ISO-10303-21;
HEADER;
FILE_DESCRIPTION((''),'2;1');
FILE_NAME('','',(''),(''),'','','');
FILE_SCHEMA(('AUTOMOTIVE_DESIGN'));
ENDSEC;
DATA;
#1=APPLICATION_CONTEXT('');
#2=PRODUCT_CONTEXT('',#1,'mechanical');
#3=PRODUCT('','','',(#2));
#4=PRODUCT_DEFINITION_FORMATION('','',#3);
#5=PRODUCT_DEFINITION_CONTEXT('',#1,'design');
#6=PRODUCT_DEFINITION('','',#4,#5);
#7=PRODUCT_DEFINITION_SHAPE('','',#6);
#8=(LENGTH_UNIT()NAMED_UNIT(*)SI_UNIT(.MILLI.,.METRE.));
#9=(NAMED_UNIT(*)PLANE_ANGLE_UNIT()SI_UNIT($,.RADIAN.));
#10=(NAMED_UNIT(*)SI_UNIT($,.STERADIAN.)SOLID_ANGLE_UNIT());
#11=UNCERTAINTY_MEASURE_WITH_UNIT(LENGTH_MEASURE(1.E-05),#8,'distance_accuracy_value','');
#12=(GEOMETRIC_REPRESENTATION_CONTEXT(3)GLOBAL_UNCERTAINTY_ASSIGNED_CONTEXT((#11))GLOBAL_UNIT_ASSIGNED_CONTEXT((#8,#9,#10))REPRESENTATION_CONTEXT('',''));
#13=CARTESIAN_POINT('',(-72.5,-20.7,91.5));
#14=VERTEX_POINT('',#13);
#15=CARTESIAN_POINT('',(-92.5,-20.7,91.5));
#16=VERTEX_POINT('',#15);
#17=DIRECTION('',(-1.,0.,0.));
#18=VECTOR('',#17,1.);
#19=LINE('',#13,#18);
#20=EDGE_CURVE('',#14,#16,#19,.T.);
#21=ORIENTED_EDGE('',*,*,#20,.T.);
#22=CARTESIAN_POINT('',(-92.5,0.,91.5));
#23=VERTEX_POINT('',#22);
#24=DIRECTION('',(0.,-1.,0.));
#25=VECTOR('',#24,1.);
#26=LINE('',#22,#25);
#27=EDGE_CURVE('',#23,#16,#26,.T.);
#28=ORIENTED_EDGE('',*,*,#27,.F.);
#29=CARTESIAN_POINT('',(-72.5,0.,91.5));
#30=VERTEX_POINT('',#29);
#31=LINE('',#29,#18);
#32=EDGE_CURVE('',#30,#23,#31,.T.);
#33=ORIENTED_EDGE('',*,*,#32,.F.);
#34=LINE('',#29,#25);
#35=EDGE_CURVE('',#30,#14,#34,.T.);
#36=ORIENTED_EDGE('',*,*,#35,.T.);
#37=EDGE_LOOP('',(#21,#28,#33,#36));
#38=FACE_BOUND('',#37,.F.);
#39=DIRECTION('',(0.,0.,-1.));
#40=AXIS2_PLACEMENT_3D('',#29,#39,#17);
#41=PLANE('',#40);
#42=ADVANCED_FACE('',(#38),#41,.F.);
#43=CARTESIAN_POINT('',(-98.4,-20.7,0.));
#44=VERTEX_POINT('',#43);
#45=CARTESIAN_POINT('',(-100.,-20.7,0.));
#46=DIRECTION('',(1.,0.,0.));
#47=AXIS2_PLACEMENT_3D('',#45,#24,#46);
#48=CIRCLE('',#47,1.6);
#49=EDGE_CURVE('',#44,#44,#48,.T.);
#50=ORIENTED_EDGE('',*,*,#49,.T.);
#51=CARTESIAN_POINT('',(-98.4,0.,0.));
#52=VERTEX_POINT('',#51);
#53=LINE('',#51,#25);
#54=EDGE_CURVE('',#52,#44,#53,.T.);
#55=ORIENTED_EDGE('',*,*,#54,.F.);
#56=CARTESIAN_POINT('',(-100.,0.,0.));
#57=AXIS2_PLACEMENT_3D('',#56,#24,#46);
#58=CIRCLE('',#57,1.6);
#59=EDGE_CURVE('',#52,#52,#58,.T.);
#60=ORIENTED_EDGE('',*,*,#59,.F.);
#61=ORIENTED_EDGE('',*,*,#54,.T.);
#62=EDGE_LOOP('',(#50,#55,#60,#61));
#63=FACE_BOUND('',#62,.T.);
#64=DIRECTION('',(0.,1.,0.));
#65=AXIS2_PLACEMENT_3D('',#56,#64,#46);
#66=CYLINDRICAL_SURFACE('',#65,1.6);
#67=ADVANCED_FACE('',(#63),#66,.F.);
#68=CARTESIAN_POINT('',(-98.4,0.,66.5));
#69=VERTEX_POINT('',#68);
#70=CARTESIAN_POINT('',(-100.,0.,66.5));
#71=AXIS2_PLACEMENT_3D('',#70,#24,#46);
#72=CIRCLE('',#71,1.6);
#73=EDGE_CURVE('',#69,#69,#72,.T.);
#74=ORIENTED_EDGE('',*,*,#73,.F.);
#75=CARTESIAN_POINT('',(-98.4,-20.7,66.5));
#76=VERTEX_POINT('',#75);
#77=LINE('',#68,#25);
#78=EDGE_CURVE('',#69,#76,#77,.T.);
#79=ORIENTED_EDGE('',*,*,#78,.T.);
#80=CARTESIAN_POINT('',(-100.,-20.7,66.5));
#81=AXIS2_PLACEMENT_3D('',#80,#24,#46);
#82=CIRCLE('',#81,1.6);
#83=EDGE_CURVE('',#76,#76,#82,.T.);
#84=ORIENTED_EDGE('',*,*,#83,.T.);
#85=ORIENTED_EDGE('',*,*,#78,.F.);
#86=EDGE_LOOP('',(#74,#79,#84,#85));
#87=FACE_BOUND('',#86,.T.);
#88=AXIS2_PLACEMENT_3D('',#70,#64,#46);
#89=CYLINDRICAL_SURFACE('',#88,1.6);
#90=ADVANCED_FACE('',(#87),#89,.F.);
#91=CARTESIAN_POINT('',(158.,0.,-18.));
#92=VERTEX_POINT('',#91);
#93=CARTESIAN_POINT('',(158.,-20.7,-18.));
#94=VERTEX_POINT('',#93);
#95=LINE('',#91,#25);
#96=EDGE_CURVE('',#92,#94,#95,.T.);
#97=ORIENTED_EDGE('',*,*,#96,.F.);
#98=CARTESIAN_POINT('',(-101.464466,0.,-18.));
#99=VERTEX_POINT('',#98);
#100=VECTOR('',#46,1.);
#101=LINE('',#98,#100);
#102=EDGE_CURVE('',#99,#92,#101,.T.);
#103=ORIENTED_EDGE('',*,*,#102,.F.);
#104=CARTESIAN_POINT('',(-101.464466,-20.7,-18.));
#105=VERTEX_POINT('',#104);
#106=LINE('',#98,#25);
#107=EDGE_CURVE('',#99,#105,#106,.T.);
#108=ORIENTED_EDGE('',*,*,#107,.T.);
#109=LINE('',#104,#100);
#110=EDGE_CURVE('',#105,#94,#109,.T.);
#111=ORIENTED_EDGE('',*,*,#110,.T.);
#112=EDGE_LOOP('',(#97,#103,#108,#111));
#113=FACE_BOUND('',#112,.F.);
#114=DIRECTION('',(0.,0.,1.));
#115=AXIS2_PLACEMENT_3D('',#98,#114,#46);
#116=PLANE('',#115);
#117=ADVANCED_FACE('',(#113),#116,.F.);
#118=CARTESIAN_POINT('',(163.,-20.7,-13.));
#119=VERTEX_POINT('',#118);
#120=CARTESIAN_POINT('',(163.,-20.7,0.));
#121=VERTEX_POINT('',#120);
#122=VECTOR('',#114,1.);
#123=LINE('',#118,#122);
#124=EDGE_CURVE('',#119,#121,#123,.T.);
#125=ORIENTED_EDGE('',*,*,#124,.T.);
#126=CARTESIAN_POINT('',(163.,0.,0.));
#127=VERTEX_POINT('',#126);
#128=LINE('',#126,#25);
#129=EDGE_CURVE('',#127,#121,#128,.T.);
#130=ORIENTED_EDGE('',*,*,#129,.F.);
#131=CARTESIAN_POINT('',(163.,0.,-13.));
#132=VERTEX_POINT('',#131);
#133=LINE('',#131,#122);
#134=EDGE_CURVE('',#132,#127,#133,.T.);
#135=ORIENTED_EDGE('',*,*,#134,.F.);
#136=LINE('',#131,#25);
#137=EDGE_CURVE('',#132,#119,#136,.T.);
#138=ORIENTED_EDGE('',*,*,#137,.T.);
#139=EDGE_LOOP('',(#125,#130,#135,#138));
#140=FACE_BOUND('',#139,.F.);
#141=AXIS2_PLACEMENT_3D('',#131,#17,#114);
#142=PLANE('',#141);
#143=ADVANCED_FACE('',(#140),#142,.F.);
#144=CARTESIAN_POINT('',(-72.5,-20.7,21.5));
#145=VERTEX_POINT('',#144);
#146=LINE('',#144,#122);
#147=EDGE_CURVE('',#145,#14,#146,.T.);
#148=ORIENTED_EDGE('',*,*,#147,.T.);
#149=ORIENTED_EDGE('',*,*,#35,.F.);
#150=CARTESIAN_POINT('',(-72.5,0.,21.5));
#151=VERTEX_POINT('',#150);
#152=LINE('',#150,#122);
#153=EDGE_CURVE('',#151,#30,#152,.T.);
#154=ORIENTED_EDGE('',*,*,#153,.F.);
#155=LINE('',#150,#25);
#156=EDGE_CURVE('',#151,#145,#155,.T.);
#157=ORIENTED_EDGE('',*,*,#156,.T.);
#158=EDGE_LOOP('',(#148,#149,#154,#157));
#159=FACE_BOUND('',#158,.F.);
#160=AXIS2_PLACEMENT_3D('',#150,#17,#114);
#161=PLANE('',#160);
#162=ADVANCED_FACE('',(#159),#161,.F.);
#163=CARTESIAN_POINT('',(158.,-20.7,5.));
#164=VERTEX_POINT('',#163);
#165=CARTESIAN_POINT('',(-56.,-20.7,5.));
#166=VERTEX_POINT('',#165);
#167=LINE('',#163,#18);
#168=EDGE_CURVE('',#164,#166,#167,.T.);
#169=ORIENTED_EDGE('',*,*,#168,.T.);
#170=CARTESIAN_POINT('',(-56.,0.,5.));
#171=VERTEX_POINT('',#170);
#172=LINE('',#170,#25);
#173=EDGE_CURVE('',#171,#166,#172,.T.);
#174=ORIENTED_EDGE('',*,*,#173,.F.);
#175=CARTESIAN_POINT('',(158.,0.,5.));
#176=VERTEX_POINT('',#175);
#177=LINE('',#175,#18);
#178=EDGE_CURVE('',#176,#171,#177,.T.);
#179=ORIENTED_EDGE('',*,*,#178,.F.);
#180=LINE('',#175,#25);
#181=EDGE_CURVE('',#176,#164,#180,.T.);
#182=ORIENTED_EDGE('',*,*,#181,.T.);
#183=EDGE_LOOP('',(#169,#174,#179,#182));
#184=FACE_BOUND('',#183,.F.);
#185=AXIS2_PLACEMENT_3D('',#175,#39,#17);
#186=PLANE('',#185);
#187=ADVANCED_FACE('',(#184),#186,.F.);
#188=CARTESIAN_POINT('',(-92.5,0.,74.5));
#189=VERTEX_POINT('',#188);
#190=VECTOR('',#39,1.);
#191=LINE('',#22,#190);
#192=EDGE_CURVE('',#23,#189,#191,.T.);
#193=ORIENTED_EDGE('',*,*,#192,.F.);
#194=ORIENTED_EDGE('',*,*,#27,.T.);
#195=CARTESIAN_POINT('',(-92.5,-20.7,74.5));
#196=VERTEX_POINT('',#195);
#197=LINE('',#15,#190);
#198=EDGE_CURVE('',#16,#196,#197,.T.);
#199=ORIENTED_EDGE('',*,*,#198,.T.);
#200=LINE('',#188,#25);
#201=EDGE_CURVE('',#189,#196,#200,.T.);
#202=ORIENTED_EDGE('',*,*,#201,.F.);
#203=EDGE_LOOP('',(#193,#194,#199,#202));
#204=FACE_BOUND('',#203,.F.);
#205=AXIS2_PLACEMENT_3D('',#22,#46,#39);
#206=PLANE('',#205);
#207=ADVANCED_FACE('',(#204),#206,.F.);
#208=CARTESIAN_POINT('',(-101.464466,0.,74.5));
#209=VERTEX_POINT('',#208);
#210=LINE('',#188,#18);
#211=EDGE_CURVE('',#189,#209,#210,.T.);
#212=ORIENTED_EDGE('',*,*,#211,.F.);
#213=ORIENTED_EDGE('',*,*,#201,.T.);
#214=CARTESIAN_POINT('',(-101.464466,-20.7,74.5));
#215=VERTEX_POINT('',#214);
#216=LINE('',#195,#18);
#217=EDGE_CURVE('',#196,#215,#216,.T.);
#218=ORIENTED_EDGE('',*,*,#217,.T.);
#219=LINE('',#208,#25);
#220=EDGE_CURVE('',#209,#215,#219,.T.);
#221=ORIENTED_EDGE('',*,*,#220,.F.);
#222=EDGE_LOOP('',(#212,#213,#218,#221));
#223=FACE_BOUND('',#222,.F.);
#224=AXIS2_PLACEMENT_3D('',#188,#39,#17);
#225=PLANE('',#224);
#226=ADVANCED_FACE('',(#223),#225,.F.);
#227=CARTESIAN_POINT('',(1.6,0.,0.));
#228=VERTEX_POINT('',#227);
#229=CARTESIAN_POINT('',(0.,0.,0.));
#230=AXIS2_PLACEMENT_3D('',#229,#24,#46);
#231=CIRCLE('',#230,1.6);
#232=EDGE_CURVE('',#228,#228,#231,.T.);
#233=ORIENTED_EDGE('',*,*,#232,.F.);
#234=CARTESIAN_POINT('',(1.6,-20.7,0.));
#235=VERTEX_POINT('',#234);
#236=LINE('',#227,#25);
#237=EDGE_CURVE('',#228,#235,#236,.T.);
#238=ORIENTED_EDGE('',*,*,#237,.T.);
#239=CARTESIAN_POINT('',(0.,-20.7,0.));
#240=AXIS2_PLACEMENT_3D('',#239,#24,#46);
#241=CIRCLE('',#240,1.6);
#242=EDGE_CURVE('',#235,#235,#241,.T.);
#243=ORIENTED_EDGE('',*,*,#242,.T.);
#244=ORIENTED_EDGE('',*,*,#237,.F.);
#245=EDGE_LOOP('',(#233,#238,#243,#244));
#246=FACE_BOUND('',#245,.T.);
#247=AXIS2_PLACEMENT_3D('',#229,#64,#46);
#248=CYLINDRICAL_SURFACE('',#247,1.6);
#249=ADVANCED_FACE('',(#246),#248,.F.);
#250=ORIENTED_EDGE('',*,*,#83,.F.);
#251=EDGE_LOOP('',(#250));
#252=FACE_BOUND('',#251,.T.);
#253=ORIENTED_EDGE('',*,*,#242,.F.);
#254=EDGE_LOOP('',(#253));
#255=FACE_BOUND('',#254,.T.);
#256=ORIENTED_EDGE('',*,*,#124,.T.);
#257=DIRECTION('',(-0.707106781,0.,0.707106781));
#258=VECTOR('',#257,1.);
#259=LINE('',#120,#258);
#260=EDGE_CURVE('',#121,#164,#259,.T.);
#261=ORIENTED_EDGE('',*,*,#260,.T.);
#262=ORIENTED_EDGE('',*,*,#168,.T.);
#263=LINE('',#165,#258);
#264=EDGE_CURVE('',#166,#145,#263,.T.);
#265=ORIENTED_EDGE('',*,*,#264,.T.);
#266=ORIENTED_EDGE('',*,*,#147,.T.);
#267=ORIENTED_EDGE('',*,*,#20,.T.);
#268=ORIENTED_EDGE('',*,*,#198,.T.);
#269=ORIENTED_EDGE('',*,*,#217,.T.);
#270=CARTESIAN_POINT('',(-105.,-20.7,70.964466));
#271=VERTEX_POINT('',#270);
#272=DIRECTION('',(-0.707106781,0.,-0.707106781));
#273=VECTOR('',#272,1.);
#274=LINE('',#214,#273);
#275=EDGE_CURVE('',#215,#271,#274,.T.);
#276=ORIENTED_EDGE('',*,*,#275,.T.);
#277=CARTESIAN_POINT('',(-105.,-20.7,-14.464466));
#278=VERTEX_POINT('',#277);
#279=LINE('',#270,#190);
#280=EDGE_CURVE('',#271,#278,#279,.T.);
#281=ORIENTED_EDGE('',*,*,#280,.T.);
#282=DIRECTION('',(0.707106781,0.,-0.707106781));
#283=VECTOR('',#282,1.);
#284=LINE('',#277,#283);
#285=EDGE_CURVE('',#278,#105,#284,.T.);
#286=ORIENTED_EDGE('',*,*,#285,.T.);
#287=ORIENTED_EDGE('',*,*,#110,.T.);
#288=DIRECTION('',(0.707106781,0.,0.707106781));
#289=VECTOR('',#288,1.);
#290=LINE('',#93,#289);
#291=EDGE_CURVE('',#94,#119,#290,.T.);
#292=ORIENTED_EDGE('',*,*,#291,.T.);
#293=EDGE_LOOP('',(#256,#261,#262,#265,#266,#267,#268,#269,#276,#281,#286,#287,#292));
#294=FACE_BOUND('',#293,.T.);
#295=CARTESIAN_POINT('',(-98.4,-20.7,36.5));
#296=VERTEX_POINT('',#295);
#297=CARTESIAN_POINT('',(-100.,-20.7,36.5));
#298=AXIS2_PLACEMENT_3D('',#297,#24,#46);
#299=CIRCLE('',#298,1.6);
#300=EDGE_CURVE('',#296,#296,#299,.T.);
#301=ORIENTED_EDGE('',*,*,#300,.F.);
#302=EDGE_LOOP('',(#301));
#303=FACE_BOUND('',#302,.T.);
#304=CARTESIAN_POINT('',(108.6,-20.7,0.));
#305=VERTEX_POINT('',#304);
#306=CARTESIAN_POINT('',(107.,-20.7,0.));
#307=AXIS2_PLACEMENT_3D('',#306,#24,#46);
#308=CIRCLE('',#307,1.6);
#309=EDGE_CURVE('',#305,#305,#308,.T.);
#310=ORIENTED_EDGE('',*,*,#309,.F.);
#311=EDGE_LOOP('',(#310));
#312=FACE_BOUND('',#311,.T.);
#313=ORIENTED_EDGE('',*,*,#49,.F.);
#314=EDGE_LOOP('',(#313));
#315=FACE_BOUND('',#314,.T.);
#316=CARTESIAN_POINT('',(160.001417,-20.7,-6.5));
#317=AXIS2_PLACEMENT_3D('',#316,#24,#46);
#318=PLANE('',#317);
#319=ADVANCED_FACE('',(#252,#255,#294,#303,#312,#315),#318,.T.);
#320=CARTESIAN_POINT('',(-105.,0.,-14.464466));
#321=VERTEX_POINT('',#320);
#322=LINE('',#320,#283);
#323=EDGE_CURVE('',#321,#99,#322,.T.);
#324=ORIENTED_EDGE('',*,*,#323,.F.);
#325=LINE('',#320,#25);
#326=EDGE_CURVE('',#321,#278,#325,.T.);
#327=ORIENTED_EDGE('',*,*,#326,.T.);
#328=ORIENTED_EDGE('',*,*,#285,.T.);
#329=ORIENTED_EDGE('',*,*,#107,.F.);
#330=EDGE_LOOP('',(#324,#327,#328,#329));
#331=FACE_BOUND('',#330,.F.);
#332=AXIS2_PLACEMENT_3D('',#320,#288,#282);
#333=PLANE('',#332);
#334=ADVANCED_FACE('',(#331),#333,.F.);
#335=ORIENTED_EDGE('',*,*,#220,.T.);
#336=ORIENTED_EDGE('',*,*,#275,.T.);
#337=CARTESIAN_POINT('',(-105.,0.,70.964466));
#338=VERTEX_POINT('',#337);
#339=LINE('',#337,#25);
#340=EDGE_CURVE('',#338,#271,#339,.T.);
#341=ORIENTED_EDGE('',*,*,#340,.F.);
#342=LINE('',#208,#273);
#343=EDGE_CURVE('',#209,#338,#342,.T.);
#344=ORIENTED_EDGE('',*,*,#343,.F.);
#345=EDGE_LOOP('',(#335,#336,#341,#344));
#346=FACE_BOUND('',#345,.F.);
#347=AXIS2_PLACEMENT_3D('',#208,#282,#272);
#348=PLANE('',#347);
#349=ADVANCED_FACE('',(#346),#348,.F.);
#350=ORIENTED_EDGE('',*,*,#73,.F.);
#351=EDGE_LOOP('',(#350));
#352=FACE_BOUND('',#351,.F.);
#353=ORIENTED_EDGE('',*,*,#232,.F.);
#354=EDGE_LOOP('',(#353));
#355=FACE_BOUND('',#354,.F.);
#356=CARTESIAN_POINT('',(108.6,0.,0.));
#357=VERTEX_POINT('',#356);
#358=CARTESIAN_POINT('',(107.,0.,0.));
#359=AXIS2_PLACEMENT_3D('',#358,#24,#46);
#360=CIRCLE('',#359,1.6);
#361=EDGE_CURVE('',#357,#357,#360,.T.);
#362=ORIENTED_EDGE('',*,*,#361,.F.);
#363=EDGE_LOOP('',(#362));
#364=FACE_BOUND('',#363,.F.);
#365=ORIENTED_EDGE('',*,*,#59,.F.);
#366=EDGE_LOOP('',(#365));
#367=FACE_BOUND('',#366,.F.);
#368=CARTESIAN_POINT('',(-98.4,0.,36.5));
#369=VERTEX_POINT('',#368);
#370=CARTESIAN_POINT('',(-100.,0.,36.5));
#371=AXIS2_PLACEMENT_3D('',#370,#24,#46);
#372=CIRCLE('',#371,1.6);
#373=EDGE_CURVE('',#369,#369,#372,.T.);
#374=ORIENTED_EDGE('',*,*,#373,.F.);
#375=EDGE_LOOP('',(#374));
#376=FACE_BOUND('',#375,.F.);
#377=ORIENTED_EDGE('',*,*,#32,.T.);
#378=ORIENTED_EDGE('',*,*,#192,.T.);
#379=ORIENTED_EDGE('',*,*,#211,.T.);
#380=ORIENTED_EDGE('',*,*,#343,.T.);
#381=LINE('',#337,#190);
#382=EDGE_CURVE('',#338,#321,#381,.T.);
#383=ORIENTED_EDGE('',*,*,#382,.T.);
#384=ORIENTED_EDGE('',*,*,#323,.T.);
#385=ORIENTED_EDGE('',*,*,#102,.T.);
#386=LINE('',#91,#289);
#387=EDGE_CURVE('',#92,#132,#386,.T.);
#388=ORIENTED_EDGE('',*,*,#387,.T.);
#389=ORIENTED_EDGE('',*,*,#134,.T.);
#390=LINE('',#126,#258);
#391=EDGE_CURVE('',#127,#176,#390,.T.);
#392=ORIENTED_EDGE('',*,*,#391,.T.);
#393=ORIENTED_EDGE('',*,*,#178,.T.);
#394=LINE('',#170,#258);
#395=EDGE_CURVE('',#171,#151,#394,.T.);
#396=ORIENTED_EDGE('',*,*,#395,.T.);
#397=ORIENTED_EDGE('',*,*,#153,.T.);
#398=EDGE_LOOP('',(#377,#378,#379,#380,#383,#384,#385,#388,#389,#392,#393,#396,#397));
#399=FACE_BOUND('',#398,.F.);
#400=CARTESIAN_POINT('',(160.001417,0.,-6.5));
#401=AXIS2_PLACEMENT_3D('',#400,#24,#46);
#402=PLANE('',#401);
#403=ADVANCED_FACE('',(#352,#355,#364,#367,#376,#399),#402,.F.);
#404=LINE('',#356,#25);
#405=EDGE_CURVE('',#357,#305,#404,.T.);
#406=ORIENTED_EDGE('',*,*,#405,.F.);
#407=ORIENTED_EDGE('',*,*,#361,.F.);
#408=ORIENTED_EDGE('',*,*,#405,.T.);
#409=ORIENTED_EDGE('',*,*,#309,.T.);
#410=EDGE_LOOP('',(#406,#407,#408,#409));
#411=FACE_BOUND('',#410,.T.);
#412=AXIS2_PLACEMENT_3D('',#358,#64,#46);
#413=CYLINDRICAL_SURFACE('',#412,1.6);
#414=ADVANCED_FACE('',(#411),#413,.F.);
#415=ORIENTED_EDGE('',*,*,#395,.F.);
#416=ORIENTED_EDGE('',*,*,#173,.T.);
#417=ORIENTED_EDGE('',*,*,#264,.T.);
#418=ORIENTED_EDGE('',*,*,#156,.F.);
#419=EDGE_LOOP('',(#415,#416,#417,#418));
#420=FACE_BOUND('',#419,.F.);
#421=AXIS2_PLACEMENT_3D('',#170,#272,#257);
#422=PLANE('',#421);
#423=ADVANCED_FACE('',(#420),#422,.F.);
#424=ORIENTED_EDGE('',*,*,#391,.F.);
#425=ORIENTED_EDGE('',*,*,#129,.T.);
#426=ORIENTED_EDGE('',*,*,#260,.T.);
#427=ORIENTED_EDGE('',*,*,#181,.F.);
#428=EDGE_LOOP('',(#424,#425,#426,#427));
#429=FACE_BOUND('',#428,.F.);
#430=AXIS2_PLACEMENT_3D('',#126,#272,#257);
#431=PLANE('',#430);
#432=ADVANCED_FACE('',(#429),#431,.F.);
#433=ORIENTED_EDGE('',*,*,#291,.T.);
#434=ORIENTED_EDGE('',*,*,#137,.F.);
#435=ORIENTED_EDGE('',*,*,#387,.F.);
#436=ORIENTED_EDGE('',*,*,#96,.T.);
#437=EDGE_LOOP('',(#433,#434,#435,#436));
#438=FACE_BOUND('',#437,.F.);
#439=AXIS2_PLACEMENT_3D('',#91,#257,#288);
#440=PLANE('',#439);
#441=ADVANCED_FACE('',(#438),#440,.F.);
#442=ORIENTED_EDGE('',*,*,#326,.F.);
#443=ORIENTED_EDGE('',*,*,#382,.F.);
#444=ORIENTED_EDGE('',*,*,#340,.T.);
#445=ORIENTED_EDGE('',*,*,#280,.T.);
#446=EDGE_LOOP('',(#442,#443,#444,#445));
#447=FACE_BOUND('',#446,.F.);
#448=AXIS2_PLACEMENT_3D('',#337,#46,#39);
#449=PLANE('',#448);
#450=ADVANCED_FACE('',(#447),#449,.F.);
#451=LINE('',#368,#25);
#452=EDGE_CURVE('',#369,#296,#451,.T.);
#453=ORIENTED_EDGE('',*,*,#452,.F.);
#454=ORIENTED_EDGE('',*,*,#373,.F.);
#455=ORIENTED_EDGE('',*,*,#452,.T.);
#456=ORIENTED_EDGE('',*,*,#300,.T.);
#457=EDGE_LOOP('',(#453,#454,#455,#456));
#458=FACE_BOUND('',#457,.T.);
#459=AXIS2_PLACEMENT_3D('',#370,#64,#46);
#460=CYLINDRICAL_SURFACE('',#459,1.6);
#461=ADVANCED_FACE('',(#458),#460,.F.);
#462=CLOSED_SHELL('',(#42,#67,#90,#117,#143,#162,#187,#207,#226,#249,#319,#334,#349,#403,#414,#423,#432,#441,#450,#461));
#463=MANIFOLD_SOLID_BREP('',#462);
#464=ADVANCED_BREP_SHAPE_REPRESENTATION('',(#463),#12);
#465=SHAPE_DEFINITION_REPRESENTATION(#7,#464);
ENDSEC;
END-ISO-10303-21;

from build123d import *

# Parameters (mm, degrees)
F0_R     = 1.6
F1_DEPTH = 20.7


with BuildPart() as f1:
    # F0 (on Front) → F1 (new body)
    with BuildSketch(Plane.XZ):
        Polygon((163, 0), (158, 5), (158, -18), (163, -13), align=None)
        Polygon((158, -18), (158, 5), (-56, 5), (-72.5, 21.5), (-72.5, 91.5), (-92.5, 91.5), (-92.5, 74.5), (-101.464466, 74.5), (-105, 70.964466), (-105, -14.464466), (-101.464466, -18), align=None)
        with Locations((-100, 0)):
            Circle(F0_R, mode=Mode.SUBTRACT)
        Circle(F0_R, mode=Mode.SUBTRACT)
        with Locations((-100, 36.5)):
            Circle(F0_R, mode=Mode.SUBTRACT)
        with Locations((107, 0)):
            Circle(F0_R, mode=Mode.SUBTRACT)
        with Locations((-100, 66.5)):
            Circle(F0_R, mode=Mode.SUBTRACT)
    extrude(amount=F1_DEPTH)


solid = f1.part
